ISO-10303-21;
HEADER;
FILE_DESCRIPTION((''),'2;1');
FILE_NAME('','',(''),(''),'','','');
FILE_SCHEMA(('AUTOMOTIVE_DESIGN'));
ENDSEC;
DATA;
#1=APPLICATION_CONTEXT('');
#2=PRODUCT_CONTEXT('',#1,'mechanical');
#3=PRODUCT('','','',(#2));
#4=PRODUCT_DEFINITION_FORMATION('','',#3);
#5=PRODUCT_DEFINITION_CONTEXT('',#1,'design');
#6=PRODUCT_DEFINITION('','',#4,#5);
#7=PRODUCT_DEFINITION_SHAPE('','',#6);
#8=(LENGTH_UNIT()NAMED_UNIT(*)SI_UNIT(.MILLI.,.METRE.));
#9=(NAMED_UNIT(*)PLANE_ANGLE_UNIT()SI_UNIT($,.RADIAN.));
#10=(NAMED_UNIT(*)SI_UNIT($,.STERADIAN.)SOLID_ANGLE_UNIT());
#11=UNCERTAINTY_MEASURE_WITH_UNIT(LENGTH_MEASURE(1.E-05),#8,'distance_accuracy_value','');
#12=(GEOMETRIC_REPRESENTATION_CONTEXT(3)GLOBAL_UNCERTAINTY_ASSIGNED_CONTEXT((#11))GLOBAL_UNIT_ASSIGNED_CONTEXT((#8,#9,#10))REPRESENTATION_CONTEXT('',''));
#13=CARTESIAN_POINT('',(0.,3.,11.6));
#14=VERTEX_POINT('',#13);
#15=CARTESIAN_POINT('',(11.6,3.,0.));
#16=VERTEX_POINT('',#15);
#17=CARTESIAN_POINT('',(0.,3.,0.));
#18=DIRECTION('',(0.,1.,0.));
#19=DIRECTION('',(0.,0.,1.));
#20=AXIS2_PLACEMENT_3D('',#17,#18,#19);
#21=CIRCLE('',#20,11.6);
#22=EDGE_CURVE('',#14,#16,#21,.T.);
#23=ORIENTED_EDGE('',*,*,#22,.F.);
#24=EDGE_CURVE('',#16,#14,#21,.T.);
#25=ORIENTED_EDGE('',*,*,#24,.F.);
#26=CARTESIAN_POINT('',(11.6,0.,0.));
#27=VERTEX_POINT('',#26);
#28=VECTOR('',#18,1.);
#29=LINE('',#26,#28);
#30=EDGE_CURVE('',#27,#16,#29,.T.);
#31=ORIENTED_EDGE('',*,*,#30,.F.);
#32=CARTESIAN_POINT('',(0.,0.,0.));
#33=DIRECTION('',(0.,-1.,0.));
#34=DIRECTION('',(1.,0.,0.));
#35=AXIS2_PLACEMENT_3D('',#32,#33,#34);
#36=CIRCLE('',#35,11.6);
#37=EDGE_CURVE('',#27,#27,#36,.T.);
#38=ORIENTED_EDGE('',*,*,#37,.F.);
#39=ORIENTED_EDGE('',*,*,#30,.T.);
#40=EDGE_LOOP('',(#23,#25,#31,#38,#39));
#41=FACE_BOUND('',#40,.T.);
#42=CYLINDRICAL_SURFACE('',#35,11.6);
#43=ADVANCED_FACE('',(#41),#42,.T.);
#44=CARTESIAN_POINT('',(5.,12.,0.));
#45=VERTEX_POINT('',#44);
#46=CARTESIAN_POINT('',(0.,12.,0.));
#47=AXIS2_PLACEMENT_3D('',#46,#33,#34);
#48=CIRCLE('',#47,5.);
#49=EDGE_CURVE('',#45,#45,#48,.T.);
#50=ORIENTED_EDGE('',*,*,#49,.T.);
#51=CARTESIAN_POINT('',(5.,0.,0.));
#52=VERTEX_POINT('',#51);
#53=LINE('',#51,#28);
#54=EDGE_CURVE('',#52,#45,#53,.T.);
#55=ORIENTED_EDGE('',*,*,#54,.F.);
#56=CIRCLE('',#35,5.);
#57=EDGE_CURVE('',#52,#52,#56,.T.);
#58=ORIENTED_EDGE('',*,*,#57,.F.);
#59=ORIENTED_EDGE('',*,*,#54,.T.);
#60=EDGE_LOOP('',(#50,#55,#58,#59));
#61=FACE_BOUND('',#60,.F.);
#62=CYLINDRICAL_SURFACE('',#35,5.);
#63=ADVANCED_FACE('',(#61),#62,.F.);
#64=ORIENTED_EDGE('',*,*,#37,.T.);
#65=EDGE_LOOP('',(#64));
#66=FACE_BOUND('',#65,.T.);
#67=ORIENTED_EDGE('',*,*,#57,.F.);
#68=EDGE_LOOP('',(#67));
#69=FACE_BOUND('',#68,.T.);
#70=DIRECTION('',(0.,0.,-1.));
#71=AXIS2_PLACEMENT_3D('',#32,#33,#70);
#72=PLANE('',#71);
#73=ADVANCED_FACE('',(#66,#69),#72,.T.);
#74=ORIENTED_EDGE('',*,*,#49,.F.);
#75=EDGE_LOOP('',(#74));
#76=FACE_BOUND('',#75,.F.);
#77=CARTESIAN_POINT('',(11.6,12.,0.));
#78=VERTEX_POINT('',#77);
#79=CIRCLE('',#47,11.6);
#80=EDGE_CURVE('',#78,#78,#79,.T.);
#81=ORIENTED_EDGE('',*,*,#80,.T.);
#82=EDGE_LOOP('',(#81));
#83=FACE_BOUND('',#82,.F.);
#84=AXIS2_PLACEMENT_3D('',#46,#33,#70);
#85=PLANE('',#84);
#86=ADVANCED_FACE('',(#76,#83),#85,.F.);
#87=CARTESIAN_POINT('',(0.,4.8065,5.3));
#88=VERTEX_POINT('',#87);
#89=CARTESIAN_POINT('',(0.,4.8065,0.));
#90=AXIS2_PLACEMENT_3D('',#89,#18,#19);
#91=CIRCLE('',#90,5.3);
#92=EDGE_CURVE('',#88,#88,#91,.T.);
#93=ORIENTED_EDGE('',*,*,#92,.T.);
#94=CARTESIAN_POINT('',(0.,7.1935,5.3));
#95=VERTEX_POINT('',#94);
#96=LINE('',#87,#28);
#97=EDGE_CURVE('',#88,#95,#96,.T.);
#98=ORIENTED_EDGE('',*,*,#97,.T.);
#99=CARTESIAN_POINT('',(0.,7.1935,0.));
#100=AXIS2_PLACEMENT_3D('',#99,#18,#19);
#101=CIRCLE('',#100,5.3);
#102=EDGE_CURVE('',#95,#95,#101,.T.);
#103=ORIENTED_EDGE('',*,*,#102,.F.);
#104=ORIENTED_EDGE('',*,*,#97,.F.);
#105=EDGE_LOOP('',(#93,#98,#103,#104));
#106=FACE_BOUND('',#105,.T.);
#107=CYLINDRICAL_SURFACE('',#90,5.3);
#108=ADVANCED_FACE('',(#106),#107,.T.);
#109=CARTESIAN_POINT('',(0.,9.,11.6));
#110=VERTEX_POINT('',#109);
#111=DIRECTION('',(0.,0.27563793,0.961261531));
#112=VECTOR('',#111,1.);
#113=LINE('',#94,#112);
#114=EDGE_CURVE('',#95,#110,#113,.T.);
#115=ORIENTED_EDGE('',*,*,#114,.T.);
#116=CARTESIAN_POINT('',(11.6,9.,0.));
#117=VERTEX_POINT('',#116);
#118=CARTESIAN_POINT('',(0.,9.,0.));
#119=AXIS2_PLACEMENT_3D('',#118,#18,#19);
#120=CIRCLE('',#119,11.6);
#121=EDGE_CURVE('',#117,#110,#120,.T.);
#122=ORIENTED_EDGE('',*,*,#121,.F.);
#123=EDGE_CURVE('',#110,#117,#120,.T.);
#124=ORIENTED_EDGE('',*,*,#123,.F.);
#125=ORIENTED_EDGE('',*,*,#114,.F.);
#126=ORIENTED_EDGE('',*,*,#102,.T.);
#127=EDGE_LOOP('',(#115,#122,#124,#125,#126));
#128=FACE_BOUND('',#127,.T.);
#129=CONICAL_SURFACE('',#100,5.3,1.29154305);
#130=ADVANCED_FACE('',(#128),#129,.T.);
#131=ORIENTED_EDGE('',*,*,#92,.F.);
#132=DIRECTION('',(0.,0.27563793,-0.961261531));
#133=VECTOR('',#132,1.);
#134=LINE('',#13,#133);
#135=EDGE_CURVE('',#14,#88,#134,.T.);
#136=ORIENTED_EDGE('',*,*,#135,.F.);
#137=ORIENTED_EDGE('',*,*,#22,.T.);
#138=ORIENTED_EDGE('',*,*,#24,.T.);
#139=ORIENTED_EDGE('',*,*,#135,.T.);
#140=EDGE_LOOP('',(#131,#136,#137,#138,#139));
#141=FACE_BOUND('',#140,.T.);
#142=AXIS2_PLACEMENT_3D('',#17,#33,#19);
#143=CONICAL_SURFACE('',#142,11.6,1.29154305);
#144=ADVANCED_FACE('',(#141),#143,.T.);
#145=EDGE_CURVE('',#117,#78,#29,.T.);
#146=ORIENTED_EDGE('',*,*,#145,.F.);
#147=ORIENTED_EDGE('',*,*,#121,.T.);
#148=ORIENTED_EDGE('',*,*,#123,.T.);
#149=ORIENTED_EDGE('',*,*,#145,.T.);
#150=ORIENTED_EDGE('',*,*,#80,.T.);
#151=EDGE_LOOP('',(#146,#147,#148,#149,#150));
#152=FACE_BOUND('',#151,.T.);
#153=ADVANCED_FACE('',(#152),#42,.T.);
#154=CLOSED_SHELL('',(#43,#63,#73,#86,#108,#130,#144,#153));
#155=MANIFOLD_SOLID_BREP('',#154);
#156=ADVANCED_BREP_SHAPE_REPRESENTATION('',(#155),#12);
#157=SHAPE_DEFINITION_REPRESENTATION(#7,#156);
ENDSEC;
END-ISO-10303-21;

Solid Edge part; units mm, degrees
sketch "Sketch1" plane through (0, 0, 0) normal (0, -1, 0) x (1, 0, 0)
  circle A0 centre (0, 0) radius 11.6
  dimension "D1" = 23.2
extrude "Protrusion1" add sketch "Sketch1" against normal blind 12
sketch "Sketch2" plane through (0, 0, 0) normal (0, -1, 0) x (1, 0, 0)
  circle A0 centre (0, 0) radius 5
  dimension "D1" = 10
extrude "Cutout1" cut sketch "Sketch2" against normal up to next
sketch "Sketch3" plane through (0, 0, 0) normal (1, 0, 0) x (0, 1, 0)
  line L0 (3, 11.6) -> (4.8065, 5.3)
  line L1 (4.8065, 5.3) -> (7.1935, 5.3)
  line L2 (7.1935, 5.3) -> (9, 11.6)
  line L3 (9, 11.6) -> (3, 11.6)
revolve "RevolvedCutout1" cut sketch "Sketch3" angle 360 about axis through (0, 0, 0) along (0, 1, 0)
properties material "Steel"
